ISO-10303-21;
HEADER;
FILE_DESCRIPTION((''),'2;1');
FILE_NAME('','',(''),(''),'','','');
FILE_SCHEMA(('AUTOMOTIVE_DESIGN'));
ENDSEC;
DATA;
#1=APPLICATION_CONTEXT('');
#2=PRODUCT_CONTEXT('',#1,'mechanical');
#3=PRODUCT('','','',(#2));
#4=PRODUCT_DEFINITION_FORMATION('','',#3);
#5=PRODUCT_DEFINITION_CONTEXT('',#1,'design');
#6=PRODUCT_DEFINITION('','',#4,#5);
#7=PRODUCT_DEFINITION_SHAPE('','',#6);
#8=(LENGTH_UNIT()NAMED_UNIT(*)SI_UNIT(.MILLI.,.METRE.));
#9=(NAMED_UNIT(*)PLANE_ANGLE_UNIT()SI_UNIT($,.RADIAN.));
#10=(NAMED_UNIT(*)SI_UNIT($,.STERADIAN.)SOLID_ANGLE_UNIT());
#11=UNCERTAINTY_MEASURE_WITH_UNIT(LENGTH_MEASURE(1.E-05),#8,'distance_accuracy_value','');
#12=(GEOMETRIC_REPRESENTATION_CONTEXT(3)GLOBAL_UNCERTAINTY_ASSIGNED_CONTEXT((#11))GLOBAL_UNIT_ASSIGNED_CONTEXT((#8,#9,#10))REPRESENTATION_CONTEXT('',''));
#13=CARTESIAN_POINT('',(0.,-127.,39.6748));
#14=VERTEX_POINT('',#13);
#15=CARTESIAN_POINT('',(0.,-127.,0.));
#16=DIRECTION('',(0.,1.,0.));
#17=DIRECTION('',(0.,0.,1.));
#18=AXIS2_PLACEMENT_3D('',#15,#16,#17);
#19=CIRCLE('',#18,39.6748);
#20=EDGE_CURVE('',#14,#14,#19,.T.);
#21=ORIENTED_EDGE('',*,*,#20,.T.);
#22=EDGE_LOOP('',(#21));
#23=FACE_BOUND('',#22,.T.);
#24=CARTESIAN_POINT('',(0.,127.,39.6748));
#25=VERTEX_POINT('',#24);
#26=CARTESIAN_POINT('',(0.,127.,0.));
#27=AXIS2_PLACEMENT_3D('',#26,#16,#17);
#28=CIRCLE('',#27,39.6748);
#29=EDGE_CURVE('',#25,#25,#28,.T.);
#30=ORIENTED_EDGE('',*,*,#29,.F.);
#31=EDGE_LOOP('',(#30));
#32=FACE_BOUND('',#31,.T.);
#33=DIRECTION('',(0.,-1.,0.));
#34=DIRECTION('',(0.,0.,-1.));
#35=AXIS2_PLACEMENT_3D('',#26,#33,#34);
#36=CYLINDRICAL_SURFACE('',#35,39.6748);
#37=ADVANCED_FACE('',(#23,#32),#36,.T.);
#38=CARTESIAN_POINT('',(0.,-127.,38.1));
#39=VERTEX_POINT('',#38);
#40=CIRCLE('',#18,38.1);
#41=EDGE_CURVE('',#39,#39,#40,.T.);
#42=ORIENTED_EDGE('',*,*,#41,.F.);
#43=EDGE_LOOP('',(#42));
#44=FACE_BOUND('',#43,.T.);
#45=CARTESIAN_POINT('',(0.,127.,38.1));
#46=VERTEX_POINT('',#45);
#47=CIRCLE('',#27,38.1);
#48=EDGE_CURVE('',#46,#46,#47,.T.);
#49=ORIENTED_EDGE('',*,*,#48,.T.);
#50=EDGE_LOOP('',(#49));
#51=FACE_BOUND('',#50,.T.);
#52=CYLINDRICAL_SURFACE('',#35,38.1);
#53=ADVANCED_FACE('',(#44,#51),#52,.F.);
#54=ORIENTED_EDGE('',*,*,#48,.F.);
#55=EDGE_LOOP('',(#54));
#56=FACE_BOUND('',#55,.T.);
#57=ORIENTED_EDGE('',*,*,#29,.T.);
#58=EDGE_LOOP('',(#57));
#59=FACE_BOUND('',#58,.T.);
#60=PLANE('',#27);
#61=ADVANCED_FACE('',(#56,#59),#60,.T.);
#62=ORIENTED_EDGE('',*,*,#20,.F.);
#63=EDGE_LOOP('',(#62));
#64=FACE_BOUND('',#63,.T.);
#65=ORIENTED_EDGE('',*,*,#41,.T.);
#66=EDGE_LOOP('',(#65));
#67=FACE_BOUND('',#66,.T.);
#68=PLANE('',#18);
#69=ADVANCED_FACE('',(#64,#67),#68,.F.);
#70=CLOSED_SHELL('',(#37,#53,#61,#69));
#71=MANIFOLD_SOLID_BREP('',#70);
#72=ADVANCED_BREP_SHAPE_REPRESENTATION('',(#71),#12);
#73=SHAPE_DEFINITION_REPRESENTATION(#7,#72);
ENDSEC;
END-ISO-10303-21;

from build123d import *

# Parameters (mm, degrees)
SKETCH1_R           = 39.6748
SKETCH1_R_2         = 38.1
BOSS_EXTRUDE1_DEPTH = 127


with BuildPart() as part:
    # Sketch1 → Boss-Extrude1 (new, symmetric)
    with BuildSketch(Plane(origin=(0, 0, 0), x_dir=(1, 0, 0), z_dir=(0, 1, 0))):
        with Locations(Location((0, 0, 0), (0, 0, 270))):
            Circle(SKETCH1_R)
        with Locations(Location((0, 0, 0), (0, 0, 270))):
            Circle(SKETCH1_R_2, mode=Mode.SUBTRACT)
    extrude(amount=BOSS_EXTRUDE1_DEPTH, both=True)


solid = part.part
